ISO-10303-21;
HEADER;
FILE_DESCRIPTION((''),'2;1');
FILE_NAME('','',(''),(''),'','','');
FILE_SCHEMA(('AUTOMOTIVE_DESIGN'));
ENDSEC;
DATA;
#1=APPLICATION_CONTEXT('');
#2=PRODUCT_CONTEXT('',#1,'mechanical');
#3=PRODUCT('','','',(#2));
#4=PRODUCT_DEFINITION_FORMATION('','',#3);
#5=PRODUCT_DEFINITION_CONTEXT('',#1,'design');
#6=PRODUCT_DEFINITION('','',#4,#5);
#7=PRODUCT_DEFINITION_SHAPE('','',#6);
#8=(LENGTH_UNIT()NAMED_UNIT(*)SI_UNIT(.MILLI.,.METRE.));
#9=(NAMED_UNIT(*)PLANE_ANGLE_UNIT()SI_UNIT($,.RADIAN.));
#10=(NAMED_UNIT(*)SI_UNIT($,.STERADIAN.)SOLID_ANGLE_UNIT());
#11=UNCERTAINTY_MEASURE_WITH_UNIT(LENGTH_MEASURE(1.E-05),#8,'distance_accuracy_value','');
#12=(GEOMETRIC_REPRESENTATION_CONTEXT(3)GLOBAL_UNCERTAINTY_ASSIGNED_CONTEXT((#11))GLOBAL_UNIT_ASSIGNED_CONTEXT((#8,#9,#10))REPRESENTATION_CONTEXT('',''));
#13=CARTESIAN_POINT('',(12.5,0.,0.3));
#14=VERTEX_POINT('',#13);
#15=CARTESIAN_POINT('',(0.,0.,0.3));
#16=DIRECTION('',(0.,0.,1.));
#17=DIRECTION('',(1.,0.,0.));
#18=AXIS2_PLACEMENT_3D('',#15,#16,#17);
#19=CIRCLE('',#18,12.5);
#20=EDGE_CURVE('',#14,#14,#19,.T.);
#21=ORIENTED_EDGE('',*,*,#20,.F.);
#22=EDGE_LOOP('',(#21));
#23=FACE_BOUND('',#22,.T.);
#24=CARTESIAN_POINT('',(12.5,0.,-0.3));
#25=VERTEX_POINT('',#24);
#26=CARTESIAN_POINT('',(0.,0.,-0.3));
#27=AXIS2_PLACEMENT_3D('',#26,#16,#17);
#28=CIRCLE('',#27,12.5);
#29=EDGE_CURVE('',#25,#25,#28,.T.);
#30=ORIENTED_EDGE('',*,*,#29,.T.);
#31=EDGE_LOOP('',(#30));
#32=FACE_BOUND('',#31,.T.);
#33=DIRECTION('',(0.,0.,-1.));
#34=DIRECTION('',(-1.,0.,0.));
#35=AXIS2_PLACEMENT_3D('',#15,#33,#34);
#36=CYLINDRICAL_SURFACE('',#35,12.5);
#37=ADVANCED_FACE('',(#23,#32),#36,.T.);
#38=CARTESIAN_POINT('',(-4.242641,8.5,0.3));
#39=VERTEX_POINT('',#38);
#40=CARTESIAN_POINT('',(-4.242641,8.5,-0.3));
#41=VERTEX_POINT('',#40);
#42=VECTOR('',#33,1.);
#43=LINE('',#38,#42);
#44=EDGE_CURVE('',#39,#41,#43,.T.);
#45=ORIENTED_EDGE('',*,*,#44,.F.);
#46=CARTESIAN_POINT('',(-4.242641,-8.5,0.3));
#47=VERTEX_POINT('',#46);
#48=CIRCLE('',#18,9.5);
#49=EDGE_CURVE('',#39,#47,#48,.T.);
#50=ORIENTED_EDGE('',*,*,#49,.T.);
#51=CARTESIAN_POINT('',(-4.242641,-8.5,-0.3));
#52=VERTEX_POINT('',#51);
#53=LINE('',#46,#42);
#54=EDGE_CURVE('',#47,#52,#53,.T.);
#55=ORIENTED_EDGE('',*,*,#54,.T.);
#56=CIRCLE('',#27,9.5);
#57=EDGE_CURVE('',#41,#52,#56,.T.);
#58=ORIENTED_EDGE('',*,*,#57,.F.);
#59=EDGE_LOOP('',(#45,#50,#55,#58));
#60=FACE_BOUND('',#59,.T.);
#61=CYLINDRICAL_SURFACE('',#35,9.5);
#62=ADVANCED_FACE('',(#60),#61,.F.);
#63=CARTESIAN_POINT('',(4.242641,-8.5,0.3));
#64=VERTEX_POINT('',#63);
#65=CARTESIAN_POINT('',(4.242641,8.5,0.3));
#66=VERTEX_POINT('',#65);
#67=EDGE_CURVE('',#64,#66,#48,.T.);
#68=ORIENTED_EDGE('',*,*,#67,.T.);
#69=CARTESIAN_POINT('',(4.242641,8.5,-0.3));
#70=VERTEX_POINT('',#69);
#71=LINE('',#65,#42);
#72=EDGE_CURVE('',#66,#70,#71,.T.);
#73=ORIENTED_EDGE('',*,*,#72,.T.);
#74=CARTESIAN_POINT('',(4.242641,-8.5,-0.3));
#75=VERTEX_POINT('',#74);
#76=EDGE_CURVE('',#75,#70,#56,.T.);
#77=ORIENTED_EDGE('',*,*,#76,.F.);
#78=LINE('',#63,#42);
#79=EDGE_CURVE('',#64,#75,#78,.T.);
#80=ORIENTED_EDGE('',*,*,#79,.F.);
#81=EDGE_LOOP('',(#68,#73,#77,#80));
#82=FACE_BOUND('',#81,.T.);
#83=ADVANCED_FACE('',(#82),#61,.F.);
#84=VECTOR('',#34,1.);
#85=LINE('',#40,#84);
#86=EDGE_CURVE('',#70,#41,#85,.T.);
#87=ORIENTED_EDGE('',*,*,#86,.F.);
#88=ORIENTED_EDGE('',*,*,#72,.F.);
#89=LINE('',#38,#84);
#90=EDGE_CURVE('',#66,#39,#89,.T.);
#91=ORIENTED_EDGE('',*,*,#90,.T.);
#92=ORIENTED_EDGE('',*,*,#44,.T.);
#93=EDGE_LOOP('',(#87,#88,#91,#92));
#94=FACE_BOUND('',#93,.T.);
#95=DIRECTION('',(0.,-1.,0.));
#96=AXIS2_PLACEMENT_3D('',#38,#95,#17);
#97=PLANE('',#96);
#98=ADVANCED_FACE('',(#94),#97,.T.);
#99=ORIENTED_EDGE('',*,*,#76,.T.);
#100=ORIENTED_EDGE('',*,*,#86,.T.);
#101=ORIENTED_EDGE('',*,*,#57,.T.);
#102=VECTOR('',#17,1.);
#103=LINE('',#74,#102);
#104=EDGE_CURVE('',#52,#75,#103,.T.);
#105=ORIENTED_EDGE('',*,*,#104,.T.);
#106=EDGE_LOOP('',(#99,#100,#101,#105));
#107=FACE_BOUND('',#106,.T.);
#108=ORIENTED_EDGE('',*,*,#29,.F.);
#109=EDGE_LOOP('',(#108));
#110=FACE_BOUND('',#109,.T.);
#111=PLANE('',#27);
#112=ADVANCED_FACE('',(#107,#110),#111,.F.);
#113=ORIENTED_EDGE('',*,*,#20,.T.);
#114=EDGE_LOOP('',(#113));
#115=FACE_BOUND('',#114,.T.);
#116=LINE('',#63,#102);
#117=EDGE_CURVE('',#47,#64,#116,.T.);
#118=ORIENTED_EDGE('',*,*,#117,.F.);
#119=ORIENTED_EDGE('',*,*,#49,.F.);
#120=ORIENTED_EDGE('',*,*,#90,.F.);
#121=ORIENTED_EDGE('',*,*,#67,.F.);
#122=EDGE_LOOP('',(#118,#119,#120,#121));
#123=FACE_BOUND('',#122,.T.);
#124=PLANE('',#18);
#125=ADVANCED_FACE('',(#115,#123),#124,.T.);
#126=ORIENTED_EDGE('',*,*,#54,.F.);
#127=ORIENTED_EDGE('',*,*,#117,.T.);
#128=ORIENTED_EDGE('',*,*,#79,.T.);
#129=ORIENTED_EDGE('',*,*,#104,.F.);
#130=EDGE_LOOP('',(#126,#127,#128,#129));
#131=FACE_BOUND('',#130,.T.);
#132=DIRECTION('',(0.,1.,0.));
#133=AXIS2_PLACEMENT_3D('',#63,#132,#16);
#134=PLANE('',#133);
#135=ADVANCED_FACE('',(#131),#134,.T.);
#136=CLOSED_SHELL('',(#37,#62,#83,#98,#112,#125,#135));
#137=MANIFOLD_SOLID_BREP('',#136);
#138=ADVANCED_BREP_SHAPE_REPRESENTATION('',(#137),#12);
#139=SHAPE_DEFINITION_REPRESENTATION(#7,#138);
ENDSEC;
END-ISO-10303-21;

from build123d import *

# Parameters (mm, degrees)
SKIZZE1_R                       = 12.5
AUFSATZ_LINEAR_AUSTRAGEN1_DEPTH = 0.3


with BuildPart() as part:
    # Skizze1 → Aufsatz-Linear austragen1 (new body, symmetric)
    with BuildSketch(Plane.XY):
        Circle(SKIZZE1_R)
        with BuildLine():
            Line((-4.242640687, 8.5), (4.242640687, 8.5))
            ThreePointArc((4.242640687, 8.5), (9.5, 0), (4.242640687, -8.5))
            Line((4.242640687, -8.5), (-4.242640687, -8.5))
            ThreePointArc((-4.242640687, -8.5), (-9.5, 0), (-4.242640687, 8.5))
        make_face(mode=Mode.SUBTRACT)
    extrude(amount=AUFSATZ_LINEAR_AUSTRAGEN1_DEPTH, both=True)


solid = part.part
